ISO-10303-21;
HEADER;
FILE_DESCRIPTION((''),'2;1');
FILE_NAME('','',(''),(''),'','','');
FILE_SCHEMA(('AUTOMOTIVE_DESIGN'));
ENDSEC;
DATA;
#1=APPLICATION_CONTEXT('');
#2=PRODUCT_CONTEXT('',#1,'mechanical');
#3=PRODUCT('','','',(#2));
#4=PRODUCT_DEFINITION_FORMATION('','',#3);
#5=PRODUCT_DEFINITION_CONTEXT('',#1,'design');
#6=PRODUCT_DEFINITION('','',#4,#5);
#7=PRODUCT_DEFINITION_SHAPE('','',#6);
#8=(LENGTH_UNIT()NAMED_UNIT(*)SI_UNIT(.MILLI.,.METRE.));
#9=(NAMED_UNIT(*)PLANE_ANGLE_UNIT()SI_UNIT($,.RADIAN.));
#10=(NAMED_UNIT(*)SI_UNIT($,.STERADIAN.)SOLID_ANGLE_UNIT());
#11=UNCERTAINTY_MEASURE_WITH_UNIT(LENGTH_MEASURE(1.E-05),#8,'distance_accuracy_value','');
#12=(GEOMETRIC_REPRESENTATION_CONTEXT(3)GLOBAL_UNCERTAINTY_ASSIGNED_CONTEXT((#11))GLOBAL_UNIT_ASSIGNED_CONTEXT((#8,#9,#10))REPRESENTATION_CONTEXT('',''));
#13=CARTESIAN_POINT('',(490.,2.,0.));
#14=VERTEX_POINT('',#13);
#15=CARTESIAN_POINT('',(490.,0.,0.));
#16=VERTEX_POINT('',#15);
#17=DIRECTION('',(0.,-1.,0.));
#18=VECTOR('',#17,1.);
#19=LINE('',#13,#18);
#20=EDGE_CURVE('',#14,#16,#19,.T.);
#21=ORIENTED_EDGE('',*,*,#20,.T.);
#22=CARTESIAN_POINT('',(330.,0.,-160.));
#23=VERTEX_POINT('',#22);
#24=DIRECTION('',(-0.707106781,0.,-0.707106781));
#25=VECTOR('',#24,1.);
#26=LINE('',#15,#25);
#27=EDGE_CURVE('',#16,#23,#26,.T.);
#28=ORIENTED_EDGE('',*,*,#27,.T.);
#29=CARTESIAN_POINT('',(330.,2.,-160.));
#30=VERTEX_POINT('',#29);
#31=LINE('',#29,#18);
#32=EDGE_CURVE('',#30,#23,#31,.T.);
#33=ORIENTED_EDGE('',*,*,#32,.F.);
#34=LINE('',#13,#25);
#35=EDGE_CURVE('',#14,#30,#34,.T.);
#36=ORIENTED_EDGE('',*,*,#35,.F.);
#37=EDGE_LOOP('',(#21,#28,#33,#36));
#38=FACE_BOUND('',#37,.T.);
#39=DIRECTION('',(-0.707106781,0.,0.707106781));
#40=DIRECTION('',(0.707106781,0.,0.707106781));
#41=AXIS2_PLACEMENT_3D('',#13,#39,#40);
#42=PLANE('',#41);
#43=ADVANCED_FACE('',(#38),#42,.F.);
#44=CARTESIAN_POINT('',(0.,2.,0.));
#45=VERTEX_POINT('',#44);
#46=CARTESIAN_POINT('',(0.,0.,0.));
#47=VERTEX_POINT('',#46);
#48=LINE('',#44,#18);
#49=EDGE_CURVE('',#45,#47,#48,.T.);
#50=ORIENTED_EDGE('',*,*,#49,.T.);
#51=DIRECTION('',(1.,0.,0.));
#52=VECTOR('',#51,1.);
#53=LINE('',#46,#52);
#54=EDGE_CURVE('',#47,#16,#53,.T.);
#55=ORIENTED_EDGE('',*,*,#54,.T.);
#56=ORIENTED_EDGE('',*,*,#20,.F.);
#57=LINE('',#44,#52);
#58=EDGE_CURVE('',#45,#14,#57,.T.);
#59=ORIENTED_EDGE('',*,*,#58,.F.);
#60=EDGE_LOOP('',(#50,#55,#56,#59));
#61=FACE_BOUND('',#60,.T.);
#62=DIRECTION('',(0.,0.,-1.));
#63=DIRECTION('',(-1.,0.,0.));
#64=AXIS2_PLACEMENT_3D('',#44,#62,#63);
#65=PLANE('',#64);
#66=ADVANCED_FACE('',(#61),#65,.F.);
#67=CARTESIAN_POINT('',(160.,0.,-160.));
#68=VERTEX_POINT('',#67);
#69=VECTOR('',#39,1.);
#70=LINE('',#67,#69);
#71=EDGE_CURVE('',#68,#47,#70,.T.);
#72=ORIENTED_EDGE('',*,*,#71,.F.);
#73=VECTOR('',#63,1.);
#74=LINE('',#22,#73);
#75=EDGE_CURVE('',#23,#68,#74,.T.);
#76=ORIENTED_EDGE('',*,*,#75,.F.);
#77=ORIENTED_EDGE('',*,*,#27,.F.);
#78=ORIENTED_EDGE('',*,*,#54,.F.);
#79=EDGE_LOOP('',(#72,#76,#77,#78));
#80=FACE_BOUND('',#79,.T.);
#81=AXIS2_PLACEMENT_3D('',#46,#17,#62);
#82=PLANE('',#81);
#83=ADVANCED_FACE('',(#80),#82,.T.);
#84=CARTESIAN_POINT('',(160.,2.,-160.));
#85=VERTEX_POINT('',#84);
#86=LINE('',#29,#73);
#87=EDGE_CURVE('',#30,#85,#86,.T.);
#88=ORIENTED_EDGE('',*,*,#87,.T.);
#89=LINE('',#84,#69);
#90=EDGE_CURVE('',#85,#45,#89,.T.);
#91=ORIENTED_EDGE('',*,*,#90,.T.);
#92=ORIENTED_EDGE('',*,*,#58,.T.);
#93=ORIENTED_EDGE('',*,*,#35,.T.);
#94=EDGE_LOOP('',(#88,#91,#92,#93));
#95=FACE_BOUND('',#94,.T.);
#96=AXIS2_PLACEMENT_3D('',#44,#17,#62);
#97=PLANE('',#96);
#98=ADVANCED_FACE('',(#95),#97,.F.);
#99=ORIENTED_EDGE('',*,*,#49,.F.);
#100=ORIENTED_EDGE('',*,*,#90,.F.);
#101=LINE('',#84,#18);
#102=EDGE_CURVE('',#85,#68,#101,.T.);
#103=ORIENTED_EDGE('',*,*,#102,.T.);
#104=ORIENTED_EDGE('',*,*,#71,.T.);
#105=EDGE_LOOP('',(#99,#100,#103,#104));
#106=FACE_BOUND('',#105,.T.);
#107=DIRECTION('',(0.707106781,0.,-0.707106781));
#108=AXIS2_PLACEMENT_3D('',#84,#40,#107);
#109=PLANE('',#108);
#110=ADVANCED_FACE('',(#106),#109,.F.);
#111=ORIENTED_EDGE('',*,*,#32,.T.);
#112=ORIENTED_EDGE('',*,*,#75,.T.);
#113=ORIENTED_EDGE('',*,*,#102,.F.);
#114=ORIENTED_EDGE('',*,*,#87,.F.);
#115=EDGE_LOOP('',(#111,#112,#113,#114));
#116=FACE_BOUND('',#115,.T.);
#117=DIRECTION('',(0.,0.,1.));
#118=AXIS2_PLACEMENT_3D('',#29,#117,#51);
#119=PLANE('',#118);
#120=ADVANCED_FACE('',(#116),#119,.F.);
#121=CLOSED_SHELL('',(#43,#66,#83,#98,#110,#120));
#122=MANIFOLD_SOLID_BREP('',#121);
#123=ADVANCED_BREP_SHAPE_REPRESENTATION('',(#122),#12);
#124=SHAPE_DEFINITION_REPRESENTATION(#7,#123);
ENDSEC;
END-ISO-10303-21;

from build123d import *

# Parameters (mm, degrees)
EXTRUDE_1_DEPTH = 2


with BuildPart() as part:
    # 草图1 → 凸台-拉伸1 (new body)
    with BuildSketch(Plane(origin=(0, 0, 0), x_dir=(1, 0, 0), z_dir=(0, 1, 0))):
        Polygon((0, 0), (490, 0), (330, 160), (160, 160), align=None)
    extrude(amount=EXTRUDE_1_DEPTH)


solid = part.part
